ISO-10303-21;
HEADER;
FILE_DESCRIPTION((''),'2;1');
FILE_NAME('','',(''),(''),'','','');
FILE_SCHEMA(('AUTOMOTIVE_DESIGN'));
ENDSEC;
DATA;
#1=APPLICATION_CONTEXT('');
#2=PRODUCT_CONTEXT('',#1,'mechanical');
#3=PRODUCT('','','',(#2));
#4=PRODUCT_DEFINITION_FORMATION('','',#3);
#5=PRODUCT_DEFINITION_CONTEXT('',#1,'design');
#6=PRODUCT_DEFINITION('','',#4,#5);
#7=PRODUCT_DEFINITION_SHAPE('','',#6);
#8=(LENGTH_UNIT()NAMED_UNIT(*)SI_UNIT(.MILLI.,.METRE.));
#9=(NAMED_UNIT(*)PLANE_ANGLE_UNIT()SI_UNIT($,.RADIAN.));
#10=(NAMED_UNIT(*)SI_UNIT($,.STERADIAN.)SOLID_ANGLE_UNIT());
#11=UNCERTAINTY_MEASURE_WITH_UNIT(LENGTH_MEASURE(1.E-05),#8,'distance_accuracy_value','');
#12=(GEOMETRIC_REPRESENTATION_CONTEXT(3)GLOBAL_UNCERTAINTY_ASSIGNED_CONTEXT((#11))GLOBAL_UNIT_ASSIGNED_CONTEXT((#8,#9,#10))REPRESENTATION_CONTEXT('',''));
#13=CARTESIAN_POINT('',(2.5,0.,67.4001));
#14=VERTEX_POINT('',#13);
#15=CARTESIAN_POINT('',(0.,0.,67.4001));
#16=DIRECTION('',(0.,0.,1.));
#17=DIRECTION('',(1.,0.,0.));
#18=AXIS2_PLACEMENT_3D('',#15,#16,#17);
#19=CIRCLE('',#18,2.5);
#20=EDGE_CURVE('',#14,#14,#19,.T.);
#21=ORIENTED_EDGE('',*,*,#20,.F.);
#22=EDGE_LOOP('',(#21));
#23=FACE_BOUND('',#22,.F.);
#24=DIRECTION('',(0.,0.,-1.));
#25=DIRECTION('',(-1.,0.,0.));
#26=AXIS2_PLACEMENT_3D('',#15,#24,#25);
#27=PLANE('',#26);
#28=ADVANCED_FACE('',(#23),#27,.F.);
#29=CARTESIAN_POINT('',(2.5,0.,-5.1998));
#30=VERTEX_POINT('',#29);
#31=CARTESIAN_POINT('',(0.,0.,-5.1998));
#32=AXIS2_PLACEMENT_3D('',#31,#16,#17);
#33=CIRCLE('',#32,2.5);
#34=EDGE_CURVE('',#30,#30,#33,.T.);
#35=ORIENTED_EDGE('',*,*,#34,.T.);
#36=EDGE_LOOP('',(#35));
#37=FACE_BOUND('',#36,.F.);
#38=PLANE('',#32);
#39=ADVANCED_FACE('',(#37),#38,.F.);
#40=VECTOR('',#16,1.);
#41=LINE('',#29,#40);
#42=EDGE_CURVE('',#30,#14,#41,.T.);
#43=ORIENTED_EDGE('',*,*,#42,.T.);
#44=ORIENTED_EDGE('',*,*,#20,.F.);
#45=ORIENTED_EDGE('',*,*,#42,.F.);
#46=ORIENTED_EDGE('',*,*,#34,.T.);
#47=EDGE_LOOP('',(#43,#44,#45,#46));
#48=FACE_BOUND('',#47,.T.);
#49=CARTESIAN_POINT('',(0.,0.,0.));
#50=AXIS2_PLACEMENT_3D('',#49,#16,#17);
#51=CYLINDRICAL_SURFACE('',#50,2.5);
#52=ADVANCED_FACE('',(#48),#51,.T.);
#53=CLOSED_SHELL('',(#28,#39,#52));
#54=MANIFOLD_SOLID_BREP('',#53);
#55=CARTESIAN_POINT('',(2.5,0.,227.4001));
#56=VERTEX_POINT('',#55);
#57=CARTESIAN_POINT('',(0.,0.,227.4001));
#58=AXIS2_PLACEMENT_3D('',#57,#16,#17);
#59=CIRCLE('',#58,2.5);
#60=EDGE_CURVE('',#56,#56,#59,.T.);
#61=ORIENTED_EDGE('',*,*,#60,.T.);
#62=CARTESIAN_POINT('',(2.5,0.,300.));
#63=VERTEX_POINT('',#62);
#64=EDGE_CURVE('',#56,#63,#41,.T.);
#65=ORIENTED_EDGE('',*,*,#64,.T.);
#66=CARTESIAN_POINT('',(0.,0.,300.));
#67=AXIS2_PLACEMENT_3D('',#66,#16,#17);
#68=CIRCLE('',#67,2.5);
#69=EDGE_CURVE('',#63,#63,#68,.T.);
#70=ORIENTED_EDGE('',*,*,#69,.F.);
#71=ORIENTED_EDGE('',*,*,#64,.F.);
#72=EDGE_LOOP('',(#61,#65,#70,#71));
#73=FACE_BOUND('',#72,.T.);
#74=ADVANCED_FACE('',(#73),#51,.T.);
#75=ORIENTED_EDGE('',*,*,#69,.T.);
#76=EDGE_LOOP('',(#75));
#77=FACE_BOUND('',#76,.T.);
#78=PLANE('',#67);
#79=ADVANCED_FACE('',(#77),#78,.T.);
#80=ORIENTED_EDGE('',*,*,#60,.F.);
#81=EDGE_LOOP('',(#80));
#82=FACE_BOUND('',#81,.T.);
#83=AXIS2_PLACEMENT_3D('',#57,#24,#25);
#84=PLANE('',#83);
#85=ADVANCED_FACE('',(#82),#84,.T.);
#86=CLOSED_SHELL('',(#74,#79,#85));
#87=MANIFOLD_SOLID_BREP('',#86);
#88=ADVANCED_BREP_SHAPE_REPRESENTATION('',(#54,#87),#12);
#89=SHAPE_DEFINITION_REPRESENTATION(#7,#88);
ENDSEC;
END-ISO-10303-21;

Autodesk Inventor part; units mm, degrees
ref_plane "РабПлоскость1" through (-33.1795, -18.2761, -5.1998) normal (0, 0, 1) x (0.9782, 0.2076, 0)
ref_plane "РабПлоскость2" through (-33.1795, -18.2761, -5.1998) normal (0, 0, 1) x (0.9782, 0.2076, 0)
sketch "Эскиз1" plane through (0, 0, 0) normal (0, 0, 1) x (1, 0, 0)
  circle A0 centre (0, 0) radius 2.5
  dimension "d0" = 5
extrude "Выдавливание1" add sketch "Эскиз1" against normal up to surface (5.1998 mm away)
sketch "Эскиз2" plane through (0, 0, 0) normal (0, 0, 1) x (1, 0, 0)
  circle A0 centre (0, 0) radius 2.5
ref_plane "РабПлоскость3" through (-19.9176, -17.3177, 300) normal (0, 0, 1) x (0.988, -0.1545, 0)
extrude "Выдавливание2" add sketch "Эскиз2" along normal up to surface (300 mm away)
ref_plane "РабПлоскость4" through (0, 0, 147.4001) normal (0, 0, -1) x (-1, 0, 0)
sketch "Эскиз3" plane through (0, 0, 147.4001) normal (0, 0, -1) x (-1, 0, 0)
  circle A0 centre (0, 0) radius 9.8212
extrude "Выдавливание3" cut sketch "Эскиз3" along normal mid plane 160
properties part number "ось колес2"
